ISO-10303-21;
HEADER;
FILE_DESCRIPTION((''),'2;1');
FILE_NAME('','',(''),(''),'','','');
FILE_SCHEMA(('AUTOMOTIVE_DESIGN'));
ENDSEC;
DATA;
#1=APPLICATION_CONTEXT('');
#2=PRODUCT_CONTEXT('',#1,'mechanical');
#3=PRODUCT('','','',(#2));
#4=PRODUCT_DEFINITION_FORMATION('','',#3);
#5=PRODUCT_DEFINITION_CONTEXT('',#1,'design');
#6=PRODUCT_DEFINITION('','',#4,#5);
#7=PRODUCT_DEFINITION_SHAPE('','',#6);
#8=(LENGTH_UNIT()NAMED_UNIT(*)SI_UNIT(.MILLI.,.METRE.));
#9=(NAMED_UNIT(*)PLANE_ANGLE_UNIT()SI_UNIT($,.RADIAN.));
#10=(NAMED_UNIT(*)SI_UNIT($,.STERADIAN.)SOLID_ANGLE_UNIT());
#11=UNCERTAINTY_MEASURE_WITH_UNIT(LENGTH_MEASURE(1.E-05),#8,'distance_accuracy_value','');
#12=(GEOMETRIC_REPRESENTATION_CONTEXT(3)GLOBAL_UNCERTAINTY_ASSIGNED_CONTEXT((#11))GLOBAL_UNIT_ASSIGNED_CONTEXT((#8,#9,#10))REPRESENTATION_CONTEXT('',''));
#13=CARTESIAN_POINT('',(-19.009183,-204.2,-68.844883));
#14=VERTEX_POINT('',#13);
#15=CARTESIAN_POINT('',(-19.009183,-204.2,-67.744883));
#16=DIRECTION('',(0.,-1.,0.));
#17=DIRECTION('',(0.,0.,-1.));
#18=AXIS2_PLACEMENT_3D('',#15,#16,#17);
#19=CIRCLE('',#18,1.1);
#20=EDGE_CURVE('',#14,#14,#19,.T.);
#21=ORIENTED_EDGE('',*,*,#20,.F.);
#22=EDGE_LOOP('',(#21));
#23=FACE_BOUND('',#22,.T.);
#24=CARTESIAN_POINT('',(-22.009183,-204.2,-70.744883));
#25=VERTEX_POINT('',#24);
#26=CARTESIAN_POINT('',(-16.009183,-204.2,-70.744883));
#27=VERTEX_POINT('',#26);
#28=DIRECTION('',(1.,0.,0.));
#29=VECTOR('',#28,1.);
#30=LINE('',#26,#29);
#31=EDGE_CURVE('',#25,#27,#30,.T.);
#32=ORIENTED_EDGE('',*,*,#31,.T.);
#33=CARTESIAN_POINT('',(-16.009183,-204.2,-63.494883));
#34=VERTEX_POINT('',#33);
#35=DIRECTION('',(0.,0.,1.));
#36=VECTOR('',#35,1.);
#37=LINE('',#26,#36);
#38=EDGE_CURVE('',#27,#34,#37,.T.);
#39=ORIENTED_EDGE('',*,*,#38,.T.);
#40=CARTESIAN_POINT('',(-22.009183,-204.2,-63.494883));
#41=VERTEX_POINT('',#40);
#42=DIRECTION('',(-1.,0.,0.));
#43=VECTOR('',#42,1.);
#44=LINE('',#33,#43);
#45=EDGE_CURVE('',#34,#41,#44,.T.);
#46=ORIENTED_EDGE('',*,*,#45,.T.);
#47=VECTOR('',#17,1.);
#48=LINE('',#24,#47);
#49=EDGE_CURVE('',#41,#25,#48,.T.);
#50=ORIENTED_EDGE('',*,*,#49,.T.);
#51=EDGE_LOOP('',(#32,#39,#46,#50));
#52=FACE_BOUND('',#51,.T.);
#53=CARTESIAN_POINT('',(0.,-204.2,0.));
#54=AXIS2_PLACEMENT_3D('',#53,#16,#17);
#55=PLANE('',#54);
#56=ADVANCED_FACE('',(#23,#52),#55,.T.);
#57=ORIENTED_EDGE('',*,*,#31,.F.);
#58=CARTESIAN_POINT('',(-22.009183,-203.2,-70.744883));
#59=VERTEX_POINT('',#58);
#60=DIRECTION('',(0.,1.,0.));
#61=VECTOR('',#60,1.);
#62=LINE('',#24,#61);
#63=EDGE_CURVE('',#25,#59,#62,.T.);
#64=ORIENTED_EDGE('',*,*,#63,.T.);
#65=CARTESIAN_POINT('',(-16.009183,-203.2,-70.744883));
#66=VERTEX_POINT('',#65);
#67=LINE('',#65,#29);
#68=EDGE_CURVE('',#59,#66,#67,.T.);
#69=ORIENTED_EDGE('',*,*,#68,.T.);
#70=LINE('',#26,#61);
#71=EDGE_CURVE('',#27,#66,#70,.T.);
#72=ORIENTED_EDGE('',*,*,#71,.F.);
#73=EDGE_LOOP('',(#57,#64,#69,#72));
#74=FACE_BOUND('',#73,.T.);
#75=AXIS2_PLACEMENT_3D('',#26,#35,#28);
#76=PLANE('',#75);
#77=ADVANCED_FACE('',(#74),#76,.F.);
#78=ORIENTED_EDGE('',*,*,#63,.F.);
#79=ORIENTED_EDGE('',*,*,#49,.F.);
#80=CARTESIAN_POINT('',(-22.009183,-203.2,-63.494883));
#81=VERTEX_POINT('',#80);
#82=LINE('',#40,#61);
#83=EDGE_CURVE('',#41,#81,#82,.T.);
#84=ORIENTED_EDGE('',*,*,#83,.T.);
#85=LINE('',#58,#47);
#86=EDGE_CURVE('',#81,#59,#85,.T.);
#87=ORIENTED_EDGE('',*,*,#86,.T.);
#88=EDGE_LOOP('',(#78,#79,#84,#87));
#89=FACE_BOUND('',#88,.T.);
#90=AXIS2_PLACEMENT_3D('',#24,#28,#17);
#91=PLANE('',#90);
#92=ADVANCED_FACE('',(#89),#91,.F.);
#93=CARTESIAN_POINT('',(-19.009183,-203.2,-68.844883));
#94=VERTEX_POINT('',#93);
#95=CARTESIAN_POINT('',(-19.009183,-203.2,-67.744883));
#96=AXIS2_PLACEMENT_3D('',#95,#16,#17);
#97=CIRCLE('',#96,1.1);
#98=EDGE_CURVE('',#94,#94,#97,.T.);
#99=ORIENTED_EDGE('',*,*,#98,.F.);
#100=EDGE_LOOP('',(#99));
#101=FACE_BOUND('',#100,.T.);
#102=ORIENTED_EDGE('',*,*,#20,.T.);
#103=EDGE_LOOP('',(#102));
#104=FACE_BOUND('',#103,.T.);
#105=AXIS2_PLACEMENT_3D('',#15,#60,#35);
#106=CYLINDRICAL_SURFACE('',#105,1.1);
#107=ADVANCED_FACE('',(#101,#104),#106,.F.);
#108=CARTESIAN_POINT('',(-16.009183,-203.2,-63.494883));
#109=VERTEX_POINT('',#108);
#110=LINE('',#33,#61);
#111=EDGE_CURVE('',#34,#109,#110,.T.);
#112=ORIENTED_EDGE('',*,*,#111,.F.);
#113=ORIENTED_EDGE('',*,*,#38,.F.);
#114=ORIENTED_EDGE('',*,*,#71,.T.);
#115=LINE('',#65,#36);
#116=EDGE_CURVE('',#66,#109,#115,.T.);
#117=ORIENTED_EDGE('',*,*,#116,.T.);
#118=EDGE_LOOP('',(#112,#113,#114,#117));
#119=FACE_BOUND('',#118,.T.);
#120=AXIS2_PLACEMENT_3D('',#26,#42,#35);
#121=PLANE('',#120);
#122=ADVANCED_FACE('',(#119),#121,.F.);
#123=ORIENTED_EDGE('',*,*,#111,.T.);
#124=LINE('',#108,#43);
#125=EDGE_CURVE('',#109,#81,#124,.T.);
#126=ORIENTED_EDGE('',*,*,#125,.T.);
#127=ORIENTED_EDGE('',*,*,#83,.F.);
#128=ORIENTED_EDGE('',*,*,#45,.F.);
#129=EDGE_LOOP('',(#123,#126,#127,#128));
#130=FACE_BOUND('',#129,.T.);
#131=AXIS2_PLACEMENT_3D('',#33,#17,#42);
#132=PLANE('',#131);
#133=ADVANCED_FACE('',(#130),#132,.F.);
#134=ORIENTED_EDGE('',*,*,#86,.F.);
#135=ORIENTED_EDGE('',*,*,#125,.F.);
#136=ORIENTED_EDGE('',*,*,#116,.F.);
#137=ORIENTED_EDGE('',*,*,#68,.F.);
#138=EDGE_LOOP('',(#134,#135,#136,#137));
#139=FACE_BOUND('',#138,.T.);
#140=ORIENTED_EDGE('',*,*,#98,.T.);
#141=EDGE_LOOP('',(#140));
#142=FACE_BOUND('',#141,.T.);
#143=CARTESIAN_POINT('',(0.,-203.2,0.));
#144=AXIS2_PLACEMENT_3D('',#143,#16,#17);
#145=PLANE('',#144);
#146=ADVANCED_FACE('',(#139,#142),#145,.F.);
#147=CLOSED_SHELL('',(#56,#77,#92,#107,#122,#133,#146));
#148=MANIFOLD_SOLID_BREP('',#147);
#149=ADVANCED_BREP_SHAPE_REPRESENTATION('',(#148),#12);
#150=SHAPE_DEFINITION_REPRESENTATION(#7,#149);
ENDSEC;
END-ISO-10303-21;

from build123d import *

# Parameters (mm, degrees)
MAIN_PROFILE_SKETCH_W = 6
MAIN_PROFILE_SKETCH_H = 7.25
MAIN_PROFILE_SKETCH_R = 1.1
MAIN_EXTRUSION_DEPTH  = 1


with BuildPart() as part:
    # Main Profile Sketch → Main Extrusion (new body)
    with BuildSketch(Plane(origin=(0, -203.2, 0), x_dir=(-1, 0, 0), z_dir=(0, -1, 0))):
        with Locations((19.009182883, 67.119882879)):
            Rectangle(MAIN_PROFILE_SKETCH_W, MAIN_PROFILE_SKETCH_H)
        with Locations(Location((19.009182883, 67.744882879, 0), (0, 0, 90))):
            Circle(MAIN_PROFILE_SKETCH_R, mode=Mode.SUBTRACT)
    extrude(amount=MAIN_EXTRUSION_DEPTH)


solid = part.part
